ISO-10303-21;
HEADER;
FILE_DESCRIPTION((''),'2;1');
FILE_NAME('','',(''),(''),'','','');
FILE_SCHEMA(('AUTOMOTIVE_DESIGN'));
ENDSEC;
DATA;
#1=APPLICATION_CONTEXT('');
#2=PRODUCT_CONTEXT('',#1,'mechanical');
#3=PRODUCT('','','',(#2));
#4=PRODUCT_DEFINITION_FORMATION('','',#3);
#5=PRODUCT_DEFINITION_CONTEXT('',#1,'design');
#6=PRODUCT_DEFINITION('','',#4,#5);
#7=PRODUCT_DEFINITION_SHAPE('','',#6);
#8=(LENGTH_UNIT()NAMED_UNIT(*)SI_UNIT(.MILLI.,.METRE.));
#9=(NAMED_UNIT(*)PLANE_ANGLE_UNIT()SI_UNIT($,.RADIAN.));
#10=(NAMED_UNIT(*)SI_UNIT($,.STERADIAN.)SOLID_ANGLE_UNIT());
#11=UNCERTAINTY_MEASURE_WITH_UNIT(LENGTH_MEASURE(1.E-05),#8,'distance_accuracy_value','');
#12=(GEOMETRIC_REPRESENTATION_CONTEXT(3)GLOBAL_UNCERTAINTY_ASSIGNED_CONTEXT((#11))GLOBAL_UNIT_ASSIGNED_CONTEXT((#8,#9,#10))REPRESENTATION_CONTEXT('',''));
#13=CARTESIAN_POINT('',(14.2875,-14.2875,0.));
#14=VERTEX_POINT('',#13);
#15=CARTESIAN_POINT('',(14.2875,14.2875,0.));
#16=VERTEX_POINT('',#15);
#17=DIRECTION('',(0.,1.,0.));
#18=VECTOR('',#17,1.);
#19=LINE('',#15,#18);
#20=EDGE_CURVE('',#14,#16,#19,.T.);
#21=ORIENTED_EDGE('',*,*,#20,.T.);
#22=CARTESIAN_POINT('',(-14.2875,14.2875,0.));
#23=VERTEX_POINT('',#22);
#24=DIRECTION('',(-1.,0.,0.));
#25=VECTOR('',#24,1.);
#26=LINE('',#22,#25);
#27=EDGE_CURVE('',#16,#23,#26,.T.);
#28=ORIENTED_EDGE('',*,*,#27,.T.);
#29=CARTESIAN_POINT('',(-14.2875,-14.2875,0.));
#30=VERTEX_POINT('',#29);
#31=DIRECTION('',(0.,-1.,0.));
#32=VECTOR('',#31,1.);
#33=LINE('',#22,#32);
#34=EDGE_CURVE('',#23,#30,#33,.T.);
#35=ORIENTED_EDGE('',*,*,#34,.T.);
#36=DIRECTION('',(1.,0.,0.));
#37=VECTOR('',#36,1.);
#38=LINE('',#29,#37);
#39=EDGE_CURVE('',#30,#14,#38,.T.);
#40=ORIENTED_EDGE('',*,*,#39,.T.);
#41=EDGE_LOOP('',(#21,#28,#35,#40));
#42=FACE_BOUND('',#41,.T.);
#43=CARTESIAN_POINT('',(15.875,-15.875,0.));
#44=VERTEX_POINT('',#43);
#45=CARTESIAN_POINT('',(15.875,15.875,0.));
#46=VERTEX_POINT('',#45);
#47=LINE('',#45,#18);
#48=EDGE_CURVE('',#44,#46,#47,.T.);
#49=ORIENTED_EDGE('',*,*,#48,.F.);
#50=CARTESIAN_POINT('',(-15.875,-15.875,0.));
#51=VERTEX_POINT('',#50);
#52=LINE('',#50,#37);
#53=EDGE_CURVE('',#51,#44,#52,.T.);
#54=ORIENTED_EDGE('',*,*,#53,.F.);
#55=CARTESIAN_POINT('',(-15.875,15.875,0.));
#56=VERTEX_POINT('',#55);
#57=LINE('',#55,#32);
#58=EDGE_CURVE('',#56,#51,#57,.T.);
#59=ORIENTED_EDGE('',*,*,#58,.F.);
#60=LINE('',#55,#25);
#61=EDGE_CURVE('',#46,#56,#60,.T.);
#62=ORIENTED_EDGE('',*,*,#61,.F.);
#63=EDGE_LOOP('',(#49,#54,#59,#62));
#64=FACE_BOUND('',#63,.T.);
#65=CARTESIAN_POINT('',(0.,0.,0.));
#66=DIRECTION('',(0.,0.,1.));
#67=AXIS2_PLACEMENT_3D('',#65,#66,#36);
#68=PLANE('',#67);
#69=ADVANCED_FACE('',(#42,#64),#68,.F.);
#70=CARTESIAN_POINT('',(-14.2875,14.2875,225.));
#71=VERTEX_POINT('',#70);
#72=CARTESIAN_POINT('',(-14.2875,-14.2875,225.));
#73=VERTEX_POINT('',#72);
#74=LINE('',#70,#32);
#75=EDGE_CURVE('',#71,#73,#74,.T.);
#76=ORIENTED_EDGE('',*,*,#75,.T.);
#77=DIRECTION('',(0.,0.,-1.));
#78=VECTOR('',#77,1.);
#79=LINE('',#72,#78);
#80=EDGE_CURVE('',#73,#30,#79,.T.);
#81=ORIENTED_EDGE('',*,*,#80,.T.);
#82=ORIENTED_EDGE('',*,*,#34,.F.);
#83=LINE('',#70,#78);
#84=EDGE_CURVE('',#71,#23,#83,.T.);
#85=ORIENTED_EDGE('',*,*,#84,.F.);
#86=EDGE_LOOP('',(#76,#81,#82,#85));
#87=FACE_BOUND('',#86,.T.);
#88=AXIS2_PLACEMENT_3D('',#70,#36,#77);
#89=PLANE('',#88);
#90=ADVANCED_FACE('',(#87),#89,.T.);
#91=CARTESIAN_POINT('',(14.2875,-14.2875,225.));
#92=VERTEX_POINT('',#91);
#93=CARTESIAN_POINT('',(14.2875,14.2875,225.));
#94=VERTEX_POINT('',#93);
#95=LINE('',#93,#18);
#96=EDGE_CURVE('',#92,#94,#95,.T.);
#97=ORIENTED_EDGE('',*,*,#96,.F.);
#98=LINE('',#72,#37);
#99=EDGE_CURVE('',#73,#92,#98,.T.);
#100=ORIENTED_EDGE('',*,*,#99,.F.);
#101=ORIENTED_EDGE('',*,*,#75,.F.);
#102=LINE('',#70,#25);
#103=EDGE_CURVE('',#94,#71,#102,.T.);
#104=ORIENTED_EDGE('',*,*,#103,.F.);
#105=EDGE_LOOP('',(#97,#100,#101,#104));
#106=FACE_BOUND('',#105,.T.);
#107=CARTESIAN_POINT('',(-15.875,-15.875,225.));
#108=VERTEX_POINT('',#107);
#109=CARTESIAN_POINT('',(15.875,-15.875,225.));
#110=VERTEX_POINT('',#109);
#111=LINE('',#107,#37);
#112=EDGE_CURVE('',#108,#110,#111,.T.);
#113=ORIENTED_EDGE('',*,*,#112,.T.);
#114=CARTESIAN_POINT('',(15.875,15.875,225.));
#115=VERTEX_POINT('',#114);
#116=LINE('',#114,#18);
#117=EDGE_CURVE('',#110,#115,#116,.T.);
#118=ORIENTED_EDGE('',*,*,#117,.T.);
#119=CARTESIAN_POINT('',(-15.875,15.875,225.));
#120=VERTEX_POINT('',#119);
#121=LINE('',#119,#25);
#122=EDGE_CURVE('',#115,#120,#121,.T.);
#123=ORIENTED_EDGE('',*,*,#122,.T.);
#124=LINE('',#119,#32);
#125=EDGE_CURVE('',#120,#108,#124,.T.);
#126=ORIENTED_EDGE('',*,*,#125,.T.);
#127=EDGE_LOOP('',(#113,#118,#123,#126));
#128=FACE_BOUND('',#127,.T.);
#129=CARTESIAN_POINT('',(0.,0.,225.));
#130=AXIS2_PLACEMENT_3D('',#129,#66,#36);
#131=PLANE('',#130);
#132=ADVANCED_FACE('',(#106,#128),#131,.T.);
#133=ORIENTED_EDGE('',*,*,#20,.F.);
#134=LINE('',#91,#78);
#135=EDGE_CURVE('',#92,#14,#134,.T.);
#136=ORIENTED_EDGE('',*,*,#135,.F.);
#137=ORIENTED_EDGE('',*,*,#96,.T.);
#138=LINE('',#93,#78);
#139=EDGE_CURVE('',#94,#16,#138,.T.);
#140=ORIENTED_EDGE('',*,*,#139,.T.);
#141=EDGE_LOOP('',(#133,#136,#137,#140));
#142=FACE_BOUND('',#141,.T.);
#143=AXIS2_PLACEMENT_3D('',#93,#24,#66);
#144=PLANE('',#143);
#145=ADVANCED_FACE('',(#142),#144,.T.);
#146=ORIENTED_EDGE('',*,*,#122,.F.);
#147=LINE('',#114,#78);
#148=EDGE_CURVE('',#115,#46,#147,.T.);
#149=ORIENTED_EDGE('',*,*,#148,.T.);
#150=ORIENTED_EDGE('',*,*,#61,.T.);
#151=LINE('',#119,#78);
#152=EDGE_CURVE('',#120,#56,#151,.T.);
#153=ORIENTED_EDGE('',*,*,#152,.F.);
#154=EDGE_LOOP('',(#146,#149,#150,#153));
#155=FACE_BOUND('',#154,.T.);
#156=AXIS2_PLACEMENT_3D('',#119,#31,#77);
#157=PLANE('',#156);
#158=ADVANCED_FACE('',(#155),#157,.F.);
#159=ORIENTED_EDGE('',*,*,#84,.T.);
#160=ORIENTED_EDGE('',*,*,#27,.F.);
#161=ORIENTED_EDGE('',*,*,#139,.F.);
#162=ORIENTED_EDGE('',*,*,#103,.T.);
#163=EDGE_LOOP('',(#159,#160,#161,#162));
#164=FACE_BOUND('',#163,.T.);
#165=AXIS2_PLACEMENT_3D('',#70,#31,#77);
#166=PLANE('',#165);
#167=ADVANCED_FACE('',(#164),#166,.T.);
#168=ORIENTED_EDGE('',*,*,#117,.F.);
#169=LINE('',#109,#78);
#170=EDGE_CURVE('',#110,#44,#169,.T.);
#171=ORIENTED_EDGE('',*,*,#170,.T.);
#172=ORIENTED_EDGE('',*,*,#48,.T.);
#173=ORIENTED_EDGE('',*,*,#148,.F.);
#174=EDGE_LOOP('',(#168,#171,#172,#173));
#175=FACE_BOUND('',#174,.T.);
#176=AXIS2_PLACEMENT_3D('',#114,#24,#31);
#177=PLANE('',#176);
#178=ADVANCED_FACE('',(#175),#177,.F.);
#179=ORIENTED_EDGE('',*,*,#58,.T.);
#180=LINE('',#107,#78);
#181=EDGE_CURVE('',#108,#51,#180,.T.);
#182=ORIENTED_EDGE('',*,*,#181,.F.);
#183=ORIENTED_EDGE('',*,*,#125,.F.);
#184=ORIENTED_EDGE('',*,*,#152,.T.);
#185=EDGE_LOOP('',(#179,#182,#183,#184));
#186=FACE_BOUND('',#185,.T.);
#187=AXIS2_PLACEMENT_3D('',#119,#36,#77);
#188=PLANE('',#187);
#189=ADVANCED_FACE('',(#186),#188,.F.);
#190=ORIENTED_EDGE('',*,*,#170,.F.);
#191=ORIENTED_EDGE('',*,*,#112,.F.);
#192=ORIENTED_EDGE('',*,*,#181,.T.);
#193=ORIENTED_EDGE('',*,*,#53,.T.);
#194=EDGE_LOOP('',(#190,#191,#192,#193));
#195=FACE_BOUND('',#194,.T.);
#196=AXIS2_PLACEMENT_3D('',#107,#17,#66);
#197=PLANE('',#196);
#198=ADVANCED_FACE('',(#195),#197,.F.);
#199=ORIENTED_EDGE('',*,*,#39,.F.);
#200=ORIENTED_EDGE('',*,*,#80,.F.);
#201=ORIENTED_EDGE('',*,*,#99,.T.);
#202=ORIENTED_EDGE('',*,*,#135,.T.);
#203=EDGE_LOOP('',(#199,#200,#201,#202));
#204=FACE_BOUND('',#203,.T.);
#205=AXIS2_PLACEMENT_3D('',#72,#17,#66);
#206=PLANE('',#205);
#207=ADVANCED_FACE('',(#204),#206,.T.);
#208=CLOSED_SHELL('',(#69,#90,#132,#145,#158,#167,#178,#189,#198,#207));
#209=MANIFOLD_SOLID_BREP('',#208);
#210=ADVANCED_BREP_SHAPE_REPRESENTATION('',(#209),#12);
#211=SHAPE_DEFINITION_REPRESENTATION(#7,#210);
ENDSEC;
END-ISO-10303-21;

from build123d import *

# Parameters (mm, degrees)
SKETCH1_W           = 31.75
SKETCH1_H           = 31.75
SKETCH1_W_2         = 28.575
SKETCH1_H_2         = 28.575
BOSS_EXTRUDE1_DEPTH = 225


with BuildPart() as part:
    # Sketch1 → Boss-Extrude1 (new body)
    with BuildSketch(Plane.XY):
        Rectangle(SKETCH1_W, SKETCH1_H)
        Rectangle(SKETCH1_W_2, SKETCH1_H_2, mode=Mode.SUBTRACT)
    extrude(amount=BOSS_EXTRUDE1_DEPTH)


solid = part.part
